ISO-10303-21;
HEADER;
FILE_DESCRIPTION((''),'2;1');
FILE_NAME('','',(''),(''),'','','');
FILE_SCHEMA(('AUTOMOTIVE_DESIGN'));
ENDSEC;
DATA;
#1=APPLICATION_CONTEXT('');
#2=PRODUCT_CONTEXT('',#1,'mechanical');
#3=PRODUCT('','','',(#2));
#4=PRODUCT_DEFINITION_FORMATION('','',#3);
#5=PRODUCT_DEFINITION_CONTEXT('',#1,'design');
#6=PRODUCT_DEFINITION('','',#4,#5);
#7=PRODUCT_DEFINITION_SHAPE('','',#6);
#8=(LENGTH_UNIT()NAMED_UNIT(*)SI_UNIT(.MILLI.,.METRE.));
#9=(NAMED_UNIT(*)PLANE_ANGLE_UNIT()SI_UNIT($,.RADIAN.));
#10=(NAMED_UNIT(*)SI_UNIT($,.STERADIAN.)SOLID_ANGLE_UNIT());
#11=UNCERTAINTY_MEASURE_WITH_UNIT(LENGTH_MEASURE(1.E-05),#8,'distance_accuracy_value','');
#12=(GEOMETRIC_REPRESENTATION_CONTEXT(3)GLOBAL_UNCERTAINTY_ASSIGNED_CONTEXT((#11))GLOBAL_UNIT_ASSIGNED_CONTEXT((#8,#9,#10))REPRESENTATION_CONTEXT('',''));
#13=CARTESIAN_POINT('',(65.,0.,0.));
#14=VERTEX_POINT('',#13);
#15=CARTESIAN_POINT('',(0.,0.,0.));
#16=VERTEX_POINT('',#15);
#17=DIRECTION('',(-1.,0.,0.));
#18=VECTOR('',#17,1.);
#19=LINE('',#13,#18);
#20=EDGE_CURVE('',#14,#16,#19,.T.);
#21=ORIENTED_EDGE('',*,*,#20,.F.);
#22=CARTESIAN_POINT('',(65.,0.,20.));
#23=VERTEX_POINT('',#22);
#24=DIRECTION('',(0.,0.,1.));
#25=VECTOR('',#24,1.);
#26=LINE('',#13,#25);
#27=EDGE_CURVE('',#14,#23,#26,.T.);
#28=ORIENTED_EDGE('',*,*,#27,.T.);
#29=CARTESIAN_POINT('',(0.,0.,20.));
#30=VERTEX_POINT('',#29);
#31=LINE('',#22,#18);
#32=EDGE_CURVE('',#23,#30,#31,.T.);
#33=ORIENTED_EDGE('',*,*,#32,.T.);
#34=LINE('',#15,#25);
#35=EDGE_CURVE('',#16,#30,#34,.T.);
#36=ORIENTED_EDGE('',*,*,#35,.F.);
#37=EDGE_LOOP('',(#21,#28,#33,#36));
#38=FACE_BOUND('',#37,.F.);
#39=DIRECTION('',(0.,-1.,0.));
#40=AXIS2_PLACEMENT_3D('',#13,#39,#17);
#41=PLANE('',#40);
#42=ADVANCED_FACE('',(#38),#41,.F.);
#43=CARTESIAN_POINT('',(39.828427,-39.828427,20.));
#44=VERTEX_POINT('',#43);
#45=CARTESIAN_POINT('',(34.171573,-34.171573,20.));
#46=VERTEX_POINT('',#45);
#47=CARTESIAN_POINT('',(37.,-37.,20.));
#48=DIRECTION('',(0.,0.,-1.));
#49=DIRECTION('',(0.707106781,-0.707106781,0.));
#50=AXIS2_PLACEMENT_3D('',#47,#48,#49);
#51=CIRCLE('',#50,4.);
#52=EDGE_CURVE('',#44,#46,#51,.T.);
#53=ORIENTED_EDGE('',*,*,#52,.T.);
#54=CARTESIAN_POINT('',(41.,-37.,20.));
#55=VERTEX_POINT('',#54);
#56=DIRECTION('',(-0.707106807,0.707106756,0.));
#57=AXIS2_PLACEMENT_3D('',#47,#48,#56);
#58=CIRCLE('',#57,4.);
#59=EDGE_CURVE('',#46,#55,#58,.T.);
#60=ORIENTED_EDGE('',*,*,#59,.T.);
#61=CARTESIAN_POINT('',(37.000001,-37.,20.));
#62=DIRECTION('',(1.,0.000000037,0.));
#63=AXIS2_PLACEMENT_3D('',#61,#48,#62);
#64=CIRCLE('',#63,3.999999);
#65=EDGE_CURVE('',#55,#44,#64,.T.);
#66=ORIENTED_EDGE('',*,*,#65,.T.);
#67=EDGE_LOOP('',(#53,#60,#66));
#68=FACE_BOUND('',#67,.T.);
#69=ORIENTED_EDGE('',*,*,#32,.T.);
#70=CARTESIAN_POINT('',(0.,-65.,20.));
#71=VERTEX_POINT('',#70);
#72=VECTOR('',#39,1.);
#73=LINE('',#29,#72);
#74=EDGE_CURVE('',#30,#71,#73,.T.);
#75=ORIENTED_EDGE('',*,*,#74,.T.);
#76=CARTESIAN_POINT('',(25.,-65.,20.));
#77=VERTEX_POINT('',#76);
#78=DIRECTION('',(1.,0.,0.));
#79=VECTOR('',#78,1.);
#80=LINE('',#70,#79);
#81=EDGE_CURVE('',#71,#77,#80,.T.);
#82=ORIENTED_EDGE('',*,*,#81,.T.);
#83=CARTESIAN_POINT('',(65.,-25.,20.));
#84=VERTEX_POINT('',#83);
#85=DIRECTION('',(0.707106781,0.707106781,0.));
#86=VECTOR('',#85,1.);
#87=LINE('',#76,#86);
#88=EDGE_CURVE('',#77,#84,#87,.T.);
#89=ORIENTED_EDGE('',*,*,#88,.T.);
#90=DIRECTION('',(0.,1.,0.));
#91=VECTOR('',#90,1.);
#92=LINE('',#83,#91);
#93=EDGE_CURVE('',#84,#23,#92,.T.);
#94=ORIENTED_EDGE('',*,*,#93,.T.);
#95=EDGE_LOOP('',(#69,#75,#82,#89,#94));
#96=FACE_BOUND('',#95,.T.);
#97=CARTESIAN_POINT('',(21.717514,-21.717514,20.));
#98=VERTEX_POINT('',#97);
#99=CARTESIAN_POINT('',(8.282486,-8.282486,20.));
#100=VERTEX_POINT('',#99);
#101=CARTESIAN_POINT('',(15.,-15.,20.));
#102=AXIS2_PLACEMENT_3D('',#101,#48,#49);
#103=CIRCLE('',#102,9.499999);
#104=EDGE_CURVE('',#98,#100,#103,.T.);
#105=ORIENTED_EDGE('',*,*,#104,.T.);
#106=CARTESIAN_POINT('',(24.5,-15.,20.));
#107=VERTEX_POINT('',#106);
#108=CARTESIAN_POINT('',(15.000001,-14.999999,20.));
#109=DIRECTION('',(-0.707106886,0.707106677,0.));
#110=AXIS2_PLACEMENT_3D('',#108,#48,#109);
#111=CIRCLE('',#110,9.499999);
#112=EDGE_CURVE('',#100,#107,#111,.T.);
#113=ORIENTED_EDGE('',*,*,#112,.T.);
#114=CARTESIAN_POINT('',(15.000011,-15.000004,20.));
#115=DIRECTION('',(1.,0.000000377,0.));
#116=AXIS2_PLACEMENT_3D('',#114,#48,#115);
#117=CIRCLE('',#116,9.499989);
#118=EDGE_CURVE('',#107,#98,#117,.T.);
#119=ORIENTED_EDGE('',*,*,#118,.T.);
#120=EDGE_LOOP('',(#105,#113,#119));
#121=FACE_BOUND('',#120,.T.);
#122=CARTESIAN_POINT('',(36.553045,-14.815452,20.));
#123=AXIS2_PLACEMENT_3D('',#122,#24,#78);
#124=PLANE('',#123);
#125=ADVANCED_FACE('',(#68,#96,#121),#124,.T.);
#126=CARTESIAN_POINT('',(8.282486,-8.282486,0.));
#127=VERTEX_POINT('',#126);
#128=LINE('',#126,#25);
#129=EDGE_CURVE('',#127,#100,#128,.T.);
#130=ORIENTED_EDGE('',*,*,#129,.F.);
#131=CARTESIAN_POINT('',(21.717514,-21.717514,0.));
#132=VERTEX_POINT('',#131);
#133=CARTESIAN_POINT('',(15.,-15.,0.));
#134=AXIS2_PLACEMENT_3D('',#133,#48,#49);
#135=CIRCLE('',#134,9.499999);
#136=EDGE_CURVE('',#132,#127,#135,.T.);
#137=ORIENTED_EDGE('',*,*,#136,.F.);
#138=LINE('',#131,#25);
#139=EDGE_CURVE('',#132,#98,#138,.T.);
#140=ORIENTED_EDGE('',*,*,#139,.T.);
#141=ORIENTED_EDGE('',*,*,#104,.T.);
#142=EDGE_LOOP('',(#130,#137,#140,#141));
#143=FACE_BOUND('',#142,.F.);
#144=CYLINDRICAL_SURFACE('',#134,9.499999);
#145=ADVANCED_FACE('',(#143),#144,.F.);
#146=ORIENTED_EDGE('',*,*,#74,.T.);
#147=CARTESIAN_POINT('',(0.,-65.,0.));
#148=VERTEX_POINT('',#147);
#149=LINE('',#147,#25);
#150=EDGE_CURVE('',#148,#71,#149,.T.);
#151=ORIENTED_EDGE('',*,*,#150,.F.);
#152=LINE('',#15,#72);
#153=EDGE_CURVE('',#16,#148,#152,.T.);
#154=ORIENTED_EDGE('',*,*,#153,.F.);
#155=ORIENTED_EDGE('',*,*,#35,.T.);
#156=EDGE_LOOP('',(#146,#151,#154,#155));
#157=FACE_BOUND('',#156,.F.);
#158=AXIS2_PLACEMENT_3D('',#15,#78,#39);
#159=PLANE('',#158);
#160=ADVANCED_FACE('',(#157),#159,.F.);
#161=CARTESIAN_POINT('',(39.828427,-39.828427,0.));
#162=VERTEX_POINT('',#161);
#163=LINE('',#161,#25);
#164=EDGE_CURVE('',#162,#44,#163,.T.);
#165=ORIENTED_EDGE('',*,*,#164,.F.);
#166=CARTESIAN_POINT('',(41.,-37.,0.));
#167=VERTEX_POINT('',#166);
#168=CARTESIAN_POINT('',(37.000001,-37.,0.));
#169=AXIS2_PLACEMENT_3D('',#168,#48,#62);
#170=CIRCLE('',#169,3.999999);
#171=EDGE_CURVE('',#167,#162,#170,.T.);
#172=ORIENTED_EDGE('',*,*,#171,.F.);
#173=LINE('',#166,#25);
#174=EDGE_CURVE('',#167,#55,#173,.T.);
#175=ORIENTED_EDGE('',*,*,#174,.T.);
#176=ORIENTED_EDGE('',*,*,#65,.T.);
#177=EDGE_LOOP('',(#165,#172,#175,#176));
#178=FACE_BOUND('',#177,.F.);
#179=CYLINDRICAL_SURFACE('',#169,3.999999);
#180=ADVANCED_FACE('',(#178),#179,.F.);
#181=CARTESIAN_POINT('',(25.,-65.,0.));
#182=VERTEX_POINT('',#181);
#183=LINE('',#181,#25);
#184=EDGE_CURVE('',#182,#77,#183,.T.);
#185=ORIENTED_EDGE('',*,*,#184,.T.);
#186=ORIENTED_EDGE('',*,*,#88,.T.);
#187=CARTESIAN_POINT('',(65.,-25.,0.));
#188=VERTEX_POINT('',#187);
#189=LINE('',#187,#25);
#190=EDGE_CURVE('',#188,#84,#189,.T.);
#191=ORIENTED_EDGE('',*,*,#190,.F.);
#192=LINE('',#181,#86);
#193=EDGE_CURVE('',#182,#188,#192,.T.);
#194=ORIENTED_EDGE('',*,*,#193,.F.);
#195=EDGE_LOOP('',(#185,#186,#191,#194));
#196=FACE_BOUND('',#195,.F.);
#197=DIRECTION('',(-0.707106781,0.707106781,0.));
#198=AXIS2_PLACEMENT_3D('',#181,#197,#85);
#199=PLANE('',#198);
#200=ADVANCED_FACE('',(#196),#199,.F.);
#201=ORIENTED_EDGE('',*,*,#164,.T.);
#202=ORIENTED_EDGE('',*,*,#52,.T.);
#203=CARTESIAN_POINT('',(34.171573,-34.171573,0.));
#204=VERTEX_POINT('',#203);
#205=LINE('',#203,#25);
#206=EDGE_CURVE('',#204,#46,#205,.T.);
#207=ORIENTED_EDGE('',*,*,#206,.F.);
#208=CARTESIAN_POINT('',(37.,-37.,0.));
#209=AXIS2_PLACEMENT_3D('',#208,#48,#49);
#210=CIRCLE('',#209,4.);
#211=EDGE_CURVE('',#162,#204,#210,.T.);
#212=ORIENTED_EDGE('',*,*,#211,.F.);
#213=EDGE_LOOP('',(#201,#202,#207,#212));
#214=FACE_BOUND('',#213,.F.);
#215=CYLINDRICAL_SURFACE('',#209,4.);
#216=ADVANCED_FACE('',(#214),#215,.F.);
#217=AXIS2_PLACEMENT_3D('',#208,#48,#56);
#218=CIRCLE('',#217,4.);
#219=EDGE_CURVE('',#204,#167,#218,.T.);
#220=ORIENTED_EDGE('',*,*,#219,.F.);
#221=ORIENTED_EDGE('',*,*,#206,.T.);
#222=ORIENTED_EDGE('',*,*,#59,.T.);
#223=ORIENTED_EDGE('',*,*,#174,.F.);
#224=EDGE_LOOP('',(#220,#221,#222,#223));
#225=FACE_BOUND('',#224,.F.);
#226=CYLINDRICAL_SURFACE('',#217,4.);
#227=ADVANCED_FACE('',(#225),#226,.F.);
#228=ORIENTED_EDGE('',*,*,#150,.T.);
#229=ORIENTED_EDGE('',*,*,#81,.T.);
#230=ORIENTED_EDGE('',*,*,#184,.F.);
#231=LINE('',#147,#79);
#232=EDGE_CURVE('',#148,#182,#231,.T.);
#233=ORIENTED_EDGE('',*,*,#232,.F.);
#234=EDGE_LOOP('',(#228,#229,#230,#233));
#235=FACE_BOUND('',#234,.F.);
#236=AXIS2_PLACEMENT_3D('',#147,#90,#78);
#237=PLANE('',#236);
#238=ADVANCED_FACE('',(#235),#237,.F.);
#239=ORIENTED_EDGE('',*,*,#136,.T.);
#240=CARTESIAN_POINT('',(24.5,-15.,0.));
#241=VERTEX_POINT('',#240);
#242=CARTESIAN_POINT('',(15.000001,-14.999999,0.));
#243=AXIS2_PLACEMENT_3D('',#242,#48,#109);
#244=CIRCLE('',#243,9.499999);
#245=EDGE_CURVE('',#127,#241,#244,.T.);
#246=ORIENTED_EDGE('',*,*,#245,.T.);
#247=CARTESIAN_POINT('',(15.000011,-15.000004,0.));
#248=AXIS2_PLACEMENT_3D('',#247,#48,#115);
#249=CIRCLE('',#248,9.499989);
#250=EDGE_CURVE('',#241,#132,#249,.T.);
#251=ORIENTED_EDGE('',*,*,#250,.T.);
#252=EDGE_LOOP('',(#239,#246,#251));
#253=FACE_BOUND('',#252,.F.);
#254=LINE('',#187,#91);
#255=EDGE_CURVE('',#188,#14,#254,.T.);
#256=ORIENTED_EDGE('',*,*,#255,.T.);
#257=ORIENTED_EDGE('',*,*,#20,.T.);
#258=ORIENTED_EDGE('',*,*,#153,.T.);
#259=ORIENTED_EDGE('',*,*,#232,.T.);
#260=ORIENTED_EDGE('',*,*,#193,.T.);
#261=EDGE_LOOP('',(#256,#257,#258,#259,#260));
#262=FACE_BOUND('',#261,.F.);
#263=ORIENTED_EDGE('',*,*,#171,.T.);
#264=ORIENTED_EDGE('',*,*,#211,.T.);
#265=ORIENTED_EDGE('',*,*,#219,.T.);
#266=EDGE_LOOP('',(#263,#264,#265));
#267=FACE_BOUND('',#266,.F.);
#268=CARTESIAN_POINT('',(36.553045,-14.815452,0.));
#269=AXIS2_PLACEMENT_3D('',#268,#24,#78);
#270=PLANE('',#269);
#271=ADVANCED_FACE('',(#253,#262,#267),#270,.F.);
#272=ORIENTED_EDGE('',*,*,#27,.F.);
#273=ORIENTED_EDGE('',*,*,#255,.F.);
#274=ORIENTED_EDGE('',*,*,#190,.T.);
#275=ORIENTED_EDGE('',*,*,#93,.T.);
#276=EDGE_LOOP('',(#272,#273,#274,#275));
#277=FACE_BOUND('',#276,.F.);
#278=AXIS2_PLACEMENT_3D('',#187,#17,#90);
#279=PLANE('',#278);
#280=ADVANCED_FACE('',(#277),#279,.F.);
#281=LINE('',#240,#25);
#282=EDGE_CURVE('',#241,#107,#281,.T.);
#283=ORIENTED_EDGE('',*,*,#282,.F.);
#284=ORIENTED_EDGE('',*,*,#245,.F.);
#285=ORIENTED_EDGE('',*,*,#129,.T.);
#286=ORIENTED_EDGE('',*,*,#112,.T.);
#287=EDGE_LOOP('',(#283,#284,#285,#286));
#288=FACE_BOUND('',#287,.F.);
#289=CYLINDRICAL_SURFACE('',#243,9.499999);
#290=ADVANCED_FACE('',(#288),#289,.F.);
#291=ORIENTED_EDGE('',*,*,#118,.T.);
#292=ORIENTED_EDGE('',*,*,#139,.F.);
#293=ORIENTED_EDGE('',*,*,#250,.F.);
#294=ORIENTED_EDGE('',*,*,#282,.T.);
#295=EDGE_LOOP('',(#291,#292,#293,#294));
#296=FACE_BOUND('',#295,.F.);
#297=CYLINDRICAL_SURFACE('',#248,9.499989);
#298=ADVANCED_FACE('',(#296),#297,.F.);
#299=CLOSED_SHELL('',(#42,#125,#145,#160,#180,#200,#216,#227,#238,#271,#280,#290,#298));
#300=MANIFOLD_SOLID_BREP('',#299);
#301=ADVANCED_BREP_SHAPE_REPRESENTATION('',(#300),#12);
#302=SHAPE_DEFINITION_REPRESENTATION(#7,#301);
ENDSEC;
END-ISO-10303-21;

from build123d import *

# Parameters (mm, degrees)
F1_DEPTH = 20


with BuildPart() as f1:
    # F0 (on Top) → F1 (new body)
    with BuildSketch(Plane.XY):
        with BuildLine():
            ThreePointArc((8.282486, -8.282486), (18.635493, -6.223144), (24.5, -15))
            ThreePointArc((24.5, -15), (23.776856, -18.635493), (21.717514, -21.717514))
            Line((21.717514, -21.717514), (34.171573, -34.171573))
            ThreePointArc((34.171573, -34.171573), (38.530734, -33.304482), (41, -37))
            ThreePointArc((41, -37), (40.695518, -38.530734), (39.828427, -39.828427))
            Line((39.828427, -39.828427), (45, -45))
            Line((45, -45), (65, -25))
            Line((65, -25), (65, 0))
            Line((65, 0), (0, 0))
            Line((0, 0), (8.282486, -8.282486))
        make_face()
        with BuildLine():
            ThreePointArc((21.717514, -21.717514), (8.282486, -21.717514), (8.282486, -8.282486))
            Line((8.282486, -8.282486), (0, 0))
            Line((0, 0), (0, -65))
            Line((0, -65), (25, -65))
            Line((25, -65), (45, -45))
            Line((45, -45), (39.828427, -39.828427))
            ThreePointArc((39.828427, -39.828427), (34.171573, -39.828427), (34.171573, -34.171573))
            Line((34.171573, -34.171573), (21.717514, -21.717514))
        make_face()
    extrude(amount=F1_DEPTH)


solid = f1.part
